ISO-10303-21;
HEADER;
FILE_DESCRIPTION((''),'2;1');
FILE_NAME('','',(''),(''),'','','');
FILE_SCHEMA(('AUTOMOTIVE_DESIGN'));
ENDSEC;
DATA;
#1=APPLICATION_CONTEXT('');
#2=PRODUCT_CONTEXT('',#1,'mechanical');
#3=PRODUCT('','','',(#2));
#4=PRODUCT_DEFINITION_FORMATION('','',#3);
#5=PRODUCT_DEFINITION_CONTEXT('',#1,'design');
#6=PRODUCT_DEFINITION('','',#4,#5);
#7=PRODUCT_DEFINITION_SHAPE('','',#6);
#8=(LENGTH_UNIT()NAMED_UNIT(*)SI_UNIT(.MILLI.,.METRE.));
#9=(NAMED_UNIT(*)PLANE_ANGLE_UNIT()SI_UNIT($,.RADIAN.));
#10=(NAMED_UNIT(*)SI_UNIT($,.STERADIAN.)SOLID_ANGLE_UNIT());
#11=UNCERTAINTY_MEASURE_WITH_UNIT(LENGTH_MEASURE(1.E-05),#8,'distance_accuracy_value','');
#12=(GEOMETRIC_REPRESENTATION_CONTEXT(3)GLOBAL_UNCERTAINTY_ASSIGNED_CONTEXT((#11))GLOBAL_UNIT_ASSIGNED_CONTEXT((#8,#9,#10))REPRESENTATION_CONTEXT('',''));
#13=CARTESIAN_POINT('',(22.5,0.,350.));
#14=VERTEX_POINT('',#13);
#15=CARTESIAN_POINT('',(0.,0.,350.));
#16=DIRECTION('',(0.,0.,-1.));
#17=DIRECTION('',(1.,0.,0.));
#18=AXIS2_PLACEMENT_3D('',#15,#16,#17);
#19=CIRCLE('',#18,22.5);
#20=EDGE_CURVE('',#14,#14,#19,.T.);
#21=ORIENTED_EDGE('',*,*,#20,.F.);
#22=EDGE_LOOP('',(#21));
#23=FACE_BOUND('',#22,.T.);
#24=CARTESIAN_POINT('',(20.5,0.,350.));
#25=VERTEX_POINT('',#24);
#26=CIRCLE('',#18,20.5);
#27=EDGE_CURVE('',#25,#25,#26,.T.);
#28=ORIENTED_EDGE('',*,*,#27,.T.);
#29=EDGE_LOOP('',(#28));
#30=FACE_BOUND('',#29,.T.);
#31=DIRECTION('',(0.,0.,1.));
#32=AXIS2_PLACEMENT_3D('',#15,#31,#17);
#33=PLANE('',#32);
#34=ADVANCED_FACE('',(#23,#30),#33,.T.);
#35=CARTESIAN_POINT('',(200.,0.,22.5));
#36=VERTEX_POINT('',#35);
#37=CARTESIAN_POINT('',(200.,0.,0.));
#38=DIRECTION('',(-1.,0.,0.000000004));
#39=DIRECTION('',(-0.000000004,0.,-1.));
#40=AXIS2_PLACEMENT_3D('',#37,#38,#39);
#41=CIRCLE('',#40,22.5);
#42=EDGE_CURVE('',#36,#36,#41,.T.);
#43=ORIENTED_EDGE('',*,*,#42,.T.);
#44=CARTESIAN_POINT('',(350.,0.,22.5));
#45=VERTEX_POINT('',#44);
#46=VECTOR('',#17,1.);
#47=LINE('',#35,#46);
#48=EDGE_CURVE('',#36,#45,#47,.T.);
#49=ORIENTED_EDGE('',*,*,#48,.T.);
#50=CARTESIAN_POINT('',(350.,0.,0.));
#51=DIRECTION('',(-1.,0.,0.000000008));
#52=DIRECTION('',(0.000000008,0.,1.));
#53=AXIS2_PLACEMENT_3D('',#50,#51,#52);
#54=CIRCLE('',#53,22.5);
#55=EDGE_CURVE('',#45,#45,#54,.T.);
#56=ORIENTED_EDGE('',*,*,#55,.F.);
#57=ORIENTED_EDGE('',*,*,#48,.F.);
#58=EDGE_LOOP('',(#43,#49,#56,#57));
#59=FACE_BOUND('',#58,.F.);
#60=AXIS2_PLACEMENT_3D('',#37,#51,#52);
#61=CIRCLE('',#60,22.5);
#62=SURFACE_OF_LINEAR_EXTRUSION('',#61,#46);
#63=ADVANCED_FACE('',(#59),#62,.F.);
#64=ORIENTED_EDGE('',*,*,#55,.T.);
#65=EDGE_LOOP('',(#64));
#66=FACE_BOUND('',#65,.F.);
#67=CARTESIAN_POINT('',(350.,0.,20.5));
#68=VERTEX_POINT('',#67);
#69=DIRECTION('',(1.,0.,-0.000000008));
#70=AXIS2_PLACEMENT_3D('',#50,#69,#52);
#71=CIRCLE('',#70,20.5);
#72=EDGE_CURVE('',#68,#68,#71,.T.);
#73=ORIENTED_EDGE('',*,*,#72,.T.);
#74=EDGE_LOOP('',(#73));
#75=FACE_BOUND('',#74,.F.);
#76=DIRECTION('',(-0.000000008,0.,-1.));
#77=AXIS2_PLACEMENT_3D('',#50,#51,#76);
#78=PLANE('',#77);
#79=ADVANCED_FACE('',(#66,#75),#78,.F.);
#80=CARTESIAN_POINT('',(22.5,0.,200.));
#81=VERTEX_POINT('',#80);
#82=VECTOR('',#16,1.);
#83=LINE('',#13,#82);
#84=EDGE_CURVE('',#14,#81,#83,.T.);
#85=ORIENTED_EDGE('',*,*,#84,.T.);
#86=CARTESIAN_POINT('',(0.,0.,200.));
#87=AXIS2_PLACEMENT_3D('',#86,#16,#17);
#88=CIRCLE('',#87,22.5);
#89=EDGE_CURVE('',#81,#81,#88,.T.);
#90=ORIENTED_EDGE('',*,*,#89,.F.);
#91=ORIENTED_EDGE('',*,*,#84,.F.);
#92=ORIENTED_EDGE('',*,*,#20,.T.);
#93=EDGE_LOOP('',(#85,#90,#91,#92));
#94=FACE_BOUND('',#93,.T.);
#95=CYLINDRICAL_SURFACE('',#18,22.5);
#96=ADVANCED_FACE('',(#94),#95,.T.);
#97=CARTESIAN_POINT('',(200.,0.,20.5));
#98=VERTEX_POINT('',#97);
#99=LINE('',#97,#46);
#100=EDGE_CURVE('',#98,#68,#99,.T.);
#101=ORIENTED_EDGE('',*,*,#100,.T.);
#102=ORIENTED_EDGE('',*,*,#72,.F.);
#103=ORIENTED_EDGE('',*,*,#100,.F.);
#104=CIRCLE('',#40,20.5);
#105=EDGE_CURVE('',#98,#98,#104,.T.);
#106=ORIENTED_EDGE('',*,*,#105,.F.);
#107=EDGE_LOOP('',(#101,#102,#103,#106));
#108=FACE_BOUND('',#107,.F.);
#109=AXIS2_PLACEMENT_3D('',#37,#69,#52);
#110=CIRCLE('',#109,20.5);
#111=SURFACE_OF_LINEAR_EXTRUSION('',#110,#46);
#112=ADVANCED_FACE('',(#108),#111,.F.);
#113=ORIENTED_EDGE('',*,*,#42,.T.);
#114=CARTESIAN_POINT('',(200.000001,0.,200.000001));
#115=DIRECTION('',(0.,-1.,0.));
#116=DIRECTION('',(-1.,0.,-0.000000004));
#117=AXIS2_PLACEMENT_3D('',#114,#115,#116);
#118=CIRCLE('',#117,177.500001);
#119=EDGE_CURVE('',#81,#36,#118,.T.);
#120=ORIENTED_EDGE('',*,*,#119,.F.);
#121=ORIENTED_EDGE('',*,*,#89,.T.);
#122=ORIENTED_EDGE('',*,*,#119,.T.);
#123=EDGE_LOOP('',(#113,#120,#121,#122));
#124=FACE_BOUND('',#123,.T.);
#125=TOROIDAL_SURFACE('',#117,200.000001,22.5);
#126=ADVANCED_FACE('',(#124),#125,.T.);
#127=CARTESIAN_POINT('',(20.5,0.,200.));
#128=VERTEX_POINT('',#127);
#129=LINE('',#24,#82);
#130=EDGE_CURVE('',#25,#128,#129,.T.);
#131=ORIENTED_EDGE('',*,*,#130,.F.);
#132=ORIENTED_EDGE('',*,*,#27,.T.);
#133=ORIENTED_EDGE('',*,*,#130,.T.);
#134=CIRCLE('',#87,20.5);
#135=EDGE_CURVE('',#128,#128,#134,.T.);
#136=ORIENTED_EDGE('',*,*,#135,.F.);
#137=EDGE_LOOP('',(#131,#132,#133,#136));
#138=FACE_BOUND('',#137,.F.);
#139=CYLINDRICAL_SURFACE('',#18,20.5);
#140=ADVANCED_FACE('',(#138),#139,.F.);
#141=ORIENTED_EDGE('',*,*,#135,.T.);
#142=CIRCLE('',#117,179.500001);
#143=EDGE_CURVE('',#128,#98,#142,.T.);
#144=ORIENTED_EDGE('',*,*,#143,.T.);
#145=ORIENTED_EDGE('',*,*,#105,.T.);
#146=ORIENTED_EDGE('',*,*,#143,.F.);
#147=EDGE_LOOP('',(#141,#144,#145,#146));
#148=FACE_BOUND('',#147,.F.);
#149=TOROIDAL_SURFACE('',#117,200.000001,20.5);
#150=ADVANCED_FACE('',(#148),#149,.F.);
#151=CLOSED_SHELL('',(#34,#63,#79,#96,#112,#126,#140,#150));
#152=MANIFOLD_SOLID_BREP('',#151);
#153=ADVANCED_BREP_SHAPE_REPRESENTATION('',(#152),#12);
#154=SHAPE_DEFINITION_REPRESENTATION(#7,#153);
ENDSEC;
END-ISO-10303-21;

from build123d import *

# Parameters (mm, degrees)
F2_R   = 22.5
F2_R_2 = 20.5


with BuildPart() as f3:
    # F3: sweep along a path in F0
    with BuildLine(Plane.XZ) as f3_path:
        Line((0, 350), (0, 200))
        ThreePointArc((0, 200), (58.578644, 58.578644), (200, 0))
        Line((200, 0), (350, 0))
    # F2 (on plane+point) → F3 (sweep)
    with BuildSketch(Plane.XY.offset(350)):
        Circle(F2_R)
        Circle(F2_R_2, mode=Mode.SUBTRACT)
    sweep(path=f3_path.line)


solid = f3.part
